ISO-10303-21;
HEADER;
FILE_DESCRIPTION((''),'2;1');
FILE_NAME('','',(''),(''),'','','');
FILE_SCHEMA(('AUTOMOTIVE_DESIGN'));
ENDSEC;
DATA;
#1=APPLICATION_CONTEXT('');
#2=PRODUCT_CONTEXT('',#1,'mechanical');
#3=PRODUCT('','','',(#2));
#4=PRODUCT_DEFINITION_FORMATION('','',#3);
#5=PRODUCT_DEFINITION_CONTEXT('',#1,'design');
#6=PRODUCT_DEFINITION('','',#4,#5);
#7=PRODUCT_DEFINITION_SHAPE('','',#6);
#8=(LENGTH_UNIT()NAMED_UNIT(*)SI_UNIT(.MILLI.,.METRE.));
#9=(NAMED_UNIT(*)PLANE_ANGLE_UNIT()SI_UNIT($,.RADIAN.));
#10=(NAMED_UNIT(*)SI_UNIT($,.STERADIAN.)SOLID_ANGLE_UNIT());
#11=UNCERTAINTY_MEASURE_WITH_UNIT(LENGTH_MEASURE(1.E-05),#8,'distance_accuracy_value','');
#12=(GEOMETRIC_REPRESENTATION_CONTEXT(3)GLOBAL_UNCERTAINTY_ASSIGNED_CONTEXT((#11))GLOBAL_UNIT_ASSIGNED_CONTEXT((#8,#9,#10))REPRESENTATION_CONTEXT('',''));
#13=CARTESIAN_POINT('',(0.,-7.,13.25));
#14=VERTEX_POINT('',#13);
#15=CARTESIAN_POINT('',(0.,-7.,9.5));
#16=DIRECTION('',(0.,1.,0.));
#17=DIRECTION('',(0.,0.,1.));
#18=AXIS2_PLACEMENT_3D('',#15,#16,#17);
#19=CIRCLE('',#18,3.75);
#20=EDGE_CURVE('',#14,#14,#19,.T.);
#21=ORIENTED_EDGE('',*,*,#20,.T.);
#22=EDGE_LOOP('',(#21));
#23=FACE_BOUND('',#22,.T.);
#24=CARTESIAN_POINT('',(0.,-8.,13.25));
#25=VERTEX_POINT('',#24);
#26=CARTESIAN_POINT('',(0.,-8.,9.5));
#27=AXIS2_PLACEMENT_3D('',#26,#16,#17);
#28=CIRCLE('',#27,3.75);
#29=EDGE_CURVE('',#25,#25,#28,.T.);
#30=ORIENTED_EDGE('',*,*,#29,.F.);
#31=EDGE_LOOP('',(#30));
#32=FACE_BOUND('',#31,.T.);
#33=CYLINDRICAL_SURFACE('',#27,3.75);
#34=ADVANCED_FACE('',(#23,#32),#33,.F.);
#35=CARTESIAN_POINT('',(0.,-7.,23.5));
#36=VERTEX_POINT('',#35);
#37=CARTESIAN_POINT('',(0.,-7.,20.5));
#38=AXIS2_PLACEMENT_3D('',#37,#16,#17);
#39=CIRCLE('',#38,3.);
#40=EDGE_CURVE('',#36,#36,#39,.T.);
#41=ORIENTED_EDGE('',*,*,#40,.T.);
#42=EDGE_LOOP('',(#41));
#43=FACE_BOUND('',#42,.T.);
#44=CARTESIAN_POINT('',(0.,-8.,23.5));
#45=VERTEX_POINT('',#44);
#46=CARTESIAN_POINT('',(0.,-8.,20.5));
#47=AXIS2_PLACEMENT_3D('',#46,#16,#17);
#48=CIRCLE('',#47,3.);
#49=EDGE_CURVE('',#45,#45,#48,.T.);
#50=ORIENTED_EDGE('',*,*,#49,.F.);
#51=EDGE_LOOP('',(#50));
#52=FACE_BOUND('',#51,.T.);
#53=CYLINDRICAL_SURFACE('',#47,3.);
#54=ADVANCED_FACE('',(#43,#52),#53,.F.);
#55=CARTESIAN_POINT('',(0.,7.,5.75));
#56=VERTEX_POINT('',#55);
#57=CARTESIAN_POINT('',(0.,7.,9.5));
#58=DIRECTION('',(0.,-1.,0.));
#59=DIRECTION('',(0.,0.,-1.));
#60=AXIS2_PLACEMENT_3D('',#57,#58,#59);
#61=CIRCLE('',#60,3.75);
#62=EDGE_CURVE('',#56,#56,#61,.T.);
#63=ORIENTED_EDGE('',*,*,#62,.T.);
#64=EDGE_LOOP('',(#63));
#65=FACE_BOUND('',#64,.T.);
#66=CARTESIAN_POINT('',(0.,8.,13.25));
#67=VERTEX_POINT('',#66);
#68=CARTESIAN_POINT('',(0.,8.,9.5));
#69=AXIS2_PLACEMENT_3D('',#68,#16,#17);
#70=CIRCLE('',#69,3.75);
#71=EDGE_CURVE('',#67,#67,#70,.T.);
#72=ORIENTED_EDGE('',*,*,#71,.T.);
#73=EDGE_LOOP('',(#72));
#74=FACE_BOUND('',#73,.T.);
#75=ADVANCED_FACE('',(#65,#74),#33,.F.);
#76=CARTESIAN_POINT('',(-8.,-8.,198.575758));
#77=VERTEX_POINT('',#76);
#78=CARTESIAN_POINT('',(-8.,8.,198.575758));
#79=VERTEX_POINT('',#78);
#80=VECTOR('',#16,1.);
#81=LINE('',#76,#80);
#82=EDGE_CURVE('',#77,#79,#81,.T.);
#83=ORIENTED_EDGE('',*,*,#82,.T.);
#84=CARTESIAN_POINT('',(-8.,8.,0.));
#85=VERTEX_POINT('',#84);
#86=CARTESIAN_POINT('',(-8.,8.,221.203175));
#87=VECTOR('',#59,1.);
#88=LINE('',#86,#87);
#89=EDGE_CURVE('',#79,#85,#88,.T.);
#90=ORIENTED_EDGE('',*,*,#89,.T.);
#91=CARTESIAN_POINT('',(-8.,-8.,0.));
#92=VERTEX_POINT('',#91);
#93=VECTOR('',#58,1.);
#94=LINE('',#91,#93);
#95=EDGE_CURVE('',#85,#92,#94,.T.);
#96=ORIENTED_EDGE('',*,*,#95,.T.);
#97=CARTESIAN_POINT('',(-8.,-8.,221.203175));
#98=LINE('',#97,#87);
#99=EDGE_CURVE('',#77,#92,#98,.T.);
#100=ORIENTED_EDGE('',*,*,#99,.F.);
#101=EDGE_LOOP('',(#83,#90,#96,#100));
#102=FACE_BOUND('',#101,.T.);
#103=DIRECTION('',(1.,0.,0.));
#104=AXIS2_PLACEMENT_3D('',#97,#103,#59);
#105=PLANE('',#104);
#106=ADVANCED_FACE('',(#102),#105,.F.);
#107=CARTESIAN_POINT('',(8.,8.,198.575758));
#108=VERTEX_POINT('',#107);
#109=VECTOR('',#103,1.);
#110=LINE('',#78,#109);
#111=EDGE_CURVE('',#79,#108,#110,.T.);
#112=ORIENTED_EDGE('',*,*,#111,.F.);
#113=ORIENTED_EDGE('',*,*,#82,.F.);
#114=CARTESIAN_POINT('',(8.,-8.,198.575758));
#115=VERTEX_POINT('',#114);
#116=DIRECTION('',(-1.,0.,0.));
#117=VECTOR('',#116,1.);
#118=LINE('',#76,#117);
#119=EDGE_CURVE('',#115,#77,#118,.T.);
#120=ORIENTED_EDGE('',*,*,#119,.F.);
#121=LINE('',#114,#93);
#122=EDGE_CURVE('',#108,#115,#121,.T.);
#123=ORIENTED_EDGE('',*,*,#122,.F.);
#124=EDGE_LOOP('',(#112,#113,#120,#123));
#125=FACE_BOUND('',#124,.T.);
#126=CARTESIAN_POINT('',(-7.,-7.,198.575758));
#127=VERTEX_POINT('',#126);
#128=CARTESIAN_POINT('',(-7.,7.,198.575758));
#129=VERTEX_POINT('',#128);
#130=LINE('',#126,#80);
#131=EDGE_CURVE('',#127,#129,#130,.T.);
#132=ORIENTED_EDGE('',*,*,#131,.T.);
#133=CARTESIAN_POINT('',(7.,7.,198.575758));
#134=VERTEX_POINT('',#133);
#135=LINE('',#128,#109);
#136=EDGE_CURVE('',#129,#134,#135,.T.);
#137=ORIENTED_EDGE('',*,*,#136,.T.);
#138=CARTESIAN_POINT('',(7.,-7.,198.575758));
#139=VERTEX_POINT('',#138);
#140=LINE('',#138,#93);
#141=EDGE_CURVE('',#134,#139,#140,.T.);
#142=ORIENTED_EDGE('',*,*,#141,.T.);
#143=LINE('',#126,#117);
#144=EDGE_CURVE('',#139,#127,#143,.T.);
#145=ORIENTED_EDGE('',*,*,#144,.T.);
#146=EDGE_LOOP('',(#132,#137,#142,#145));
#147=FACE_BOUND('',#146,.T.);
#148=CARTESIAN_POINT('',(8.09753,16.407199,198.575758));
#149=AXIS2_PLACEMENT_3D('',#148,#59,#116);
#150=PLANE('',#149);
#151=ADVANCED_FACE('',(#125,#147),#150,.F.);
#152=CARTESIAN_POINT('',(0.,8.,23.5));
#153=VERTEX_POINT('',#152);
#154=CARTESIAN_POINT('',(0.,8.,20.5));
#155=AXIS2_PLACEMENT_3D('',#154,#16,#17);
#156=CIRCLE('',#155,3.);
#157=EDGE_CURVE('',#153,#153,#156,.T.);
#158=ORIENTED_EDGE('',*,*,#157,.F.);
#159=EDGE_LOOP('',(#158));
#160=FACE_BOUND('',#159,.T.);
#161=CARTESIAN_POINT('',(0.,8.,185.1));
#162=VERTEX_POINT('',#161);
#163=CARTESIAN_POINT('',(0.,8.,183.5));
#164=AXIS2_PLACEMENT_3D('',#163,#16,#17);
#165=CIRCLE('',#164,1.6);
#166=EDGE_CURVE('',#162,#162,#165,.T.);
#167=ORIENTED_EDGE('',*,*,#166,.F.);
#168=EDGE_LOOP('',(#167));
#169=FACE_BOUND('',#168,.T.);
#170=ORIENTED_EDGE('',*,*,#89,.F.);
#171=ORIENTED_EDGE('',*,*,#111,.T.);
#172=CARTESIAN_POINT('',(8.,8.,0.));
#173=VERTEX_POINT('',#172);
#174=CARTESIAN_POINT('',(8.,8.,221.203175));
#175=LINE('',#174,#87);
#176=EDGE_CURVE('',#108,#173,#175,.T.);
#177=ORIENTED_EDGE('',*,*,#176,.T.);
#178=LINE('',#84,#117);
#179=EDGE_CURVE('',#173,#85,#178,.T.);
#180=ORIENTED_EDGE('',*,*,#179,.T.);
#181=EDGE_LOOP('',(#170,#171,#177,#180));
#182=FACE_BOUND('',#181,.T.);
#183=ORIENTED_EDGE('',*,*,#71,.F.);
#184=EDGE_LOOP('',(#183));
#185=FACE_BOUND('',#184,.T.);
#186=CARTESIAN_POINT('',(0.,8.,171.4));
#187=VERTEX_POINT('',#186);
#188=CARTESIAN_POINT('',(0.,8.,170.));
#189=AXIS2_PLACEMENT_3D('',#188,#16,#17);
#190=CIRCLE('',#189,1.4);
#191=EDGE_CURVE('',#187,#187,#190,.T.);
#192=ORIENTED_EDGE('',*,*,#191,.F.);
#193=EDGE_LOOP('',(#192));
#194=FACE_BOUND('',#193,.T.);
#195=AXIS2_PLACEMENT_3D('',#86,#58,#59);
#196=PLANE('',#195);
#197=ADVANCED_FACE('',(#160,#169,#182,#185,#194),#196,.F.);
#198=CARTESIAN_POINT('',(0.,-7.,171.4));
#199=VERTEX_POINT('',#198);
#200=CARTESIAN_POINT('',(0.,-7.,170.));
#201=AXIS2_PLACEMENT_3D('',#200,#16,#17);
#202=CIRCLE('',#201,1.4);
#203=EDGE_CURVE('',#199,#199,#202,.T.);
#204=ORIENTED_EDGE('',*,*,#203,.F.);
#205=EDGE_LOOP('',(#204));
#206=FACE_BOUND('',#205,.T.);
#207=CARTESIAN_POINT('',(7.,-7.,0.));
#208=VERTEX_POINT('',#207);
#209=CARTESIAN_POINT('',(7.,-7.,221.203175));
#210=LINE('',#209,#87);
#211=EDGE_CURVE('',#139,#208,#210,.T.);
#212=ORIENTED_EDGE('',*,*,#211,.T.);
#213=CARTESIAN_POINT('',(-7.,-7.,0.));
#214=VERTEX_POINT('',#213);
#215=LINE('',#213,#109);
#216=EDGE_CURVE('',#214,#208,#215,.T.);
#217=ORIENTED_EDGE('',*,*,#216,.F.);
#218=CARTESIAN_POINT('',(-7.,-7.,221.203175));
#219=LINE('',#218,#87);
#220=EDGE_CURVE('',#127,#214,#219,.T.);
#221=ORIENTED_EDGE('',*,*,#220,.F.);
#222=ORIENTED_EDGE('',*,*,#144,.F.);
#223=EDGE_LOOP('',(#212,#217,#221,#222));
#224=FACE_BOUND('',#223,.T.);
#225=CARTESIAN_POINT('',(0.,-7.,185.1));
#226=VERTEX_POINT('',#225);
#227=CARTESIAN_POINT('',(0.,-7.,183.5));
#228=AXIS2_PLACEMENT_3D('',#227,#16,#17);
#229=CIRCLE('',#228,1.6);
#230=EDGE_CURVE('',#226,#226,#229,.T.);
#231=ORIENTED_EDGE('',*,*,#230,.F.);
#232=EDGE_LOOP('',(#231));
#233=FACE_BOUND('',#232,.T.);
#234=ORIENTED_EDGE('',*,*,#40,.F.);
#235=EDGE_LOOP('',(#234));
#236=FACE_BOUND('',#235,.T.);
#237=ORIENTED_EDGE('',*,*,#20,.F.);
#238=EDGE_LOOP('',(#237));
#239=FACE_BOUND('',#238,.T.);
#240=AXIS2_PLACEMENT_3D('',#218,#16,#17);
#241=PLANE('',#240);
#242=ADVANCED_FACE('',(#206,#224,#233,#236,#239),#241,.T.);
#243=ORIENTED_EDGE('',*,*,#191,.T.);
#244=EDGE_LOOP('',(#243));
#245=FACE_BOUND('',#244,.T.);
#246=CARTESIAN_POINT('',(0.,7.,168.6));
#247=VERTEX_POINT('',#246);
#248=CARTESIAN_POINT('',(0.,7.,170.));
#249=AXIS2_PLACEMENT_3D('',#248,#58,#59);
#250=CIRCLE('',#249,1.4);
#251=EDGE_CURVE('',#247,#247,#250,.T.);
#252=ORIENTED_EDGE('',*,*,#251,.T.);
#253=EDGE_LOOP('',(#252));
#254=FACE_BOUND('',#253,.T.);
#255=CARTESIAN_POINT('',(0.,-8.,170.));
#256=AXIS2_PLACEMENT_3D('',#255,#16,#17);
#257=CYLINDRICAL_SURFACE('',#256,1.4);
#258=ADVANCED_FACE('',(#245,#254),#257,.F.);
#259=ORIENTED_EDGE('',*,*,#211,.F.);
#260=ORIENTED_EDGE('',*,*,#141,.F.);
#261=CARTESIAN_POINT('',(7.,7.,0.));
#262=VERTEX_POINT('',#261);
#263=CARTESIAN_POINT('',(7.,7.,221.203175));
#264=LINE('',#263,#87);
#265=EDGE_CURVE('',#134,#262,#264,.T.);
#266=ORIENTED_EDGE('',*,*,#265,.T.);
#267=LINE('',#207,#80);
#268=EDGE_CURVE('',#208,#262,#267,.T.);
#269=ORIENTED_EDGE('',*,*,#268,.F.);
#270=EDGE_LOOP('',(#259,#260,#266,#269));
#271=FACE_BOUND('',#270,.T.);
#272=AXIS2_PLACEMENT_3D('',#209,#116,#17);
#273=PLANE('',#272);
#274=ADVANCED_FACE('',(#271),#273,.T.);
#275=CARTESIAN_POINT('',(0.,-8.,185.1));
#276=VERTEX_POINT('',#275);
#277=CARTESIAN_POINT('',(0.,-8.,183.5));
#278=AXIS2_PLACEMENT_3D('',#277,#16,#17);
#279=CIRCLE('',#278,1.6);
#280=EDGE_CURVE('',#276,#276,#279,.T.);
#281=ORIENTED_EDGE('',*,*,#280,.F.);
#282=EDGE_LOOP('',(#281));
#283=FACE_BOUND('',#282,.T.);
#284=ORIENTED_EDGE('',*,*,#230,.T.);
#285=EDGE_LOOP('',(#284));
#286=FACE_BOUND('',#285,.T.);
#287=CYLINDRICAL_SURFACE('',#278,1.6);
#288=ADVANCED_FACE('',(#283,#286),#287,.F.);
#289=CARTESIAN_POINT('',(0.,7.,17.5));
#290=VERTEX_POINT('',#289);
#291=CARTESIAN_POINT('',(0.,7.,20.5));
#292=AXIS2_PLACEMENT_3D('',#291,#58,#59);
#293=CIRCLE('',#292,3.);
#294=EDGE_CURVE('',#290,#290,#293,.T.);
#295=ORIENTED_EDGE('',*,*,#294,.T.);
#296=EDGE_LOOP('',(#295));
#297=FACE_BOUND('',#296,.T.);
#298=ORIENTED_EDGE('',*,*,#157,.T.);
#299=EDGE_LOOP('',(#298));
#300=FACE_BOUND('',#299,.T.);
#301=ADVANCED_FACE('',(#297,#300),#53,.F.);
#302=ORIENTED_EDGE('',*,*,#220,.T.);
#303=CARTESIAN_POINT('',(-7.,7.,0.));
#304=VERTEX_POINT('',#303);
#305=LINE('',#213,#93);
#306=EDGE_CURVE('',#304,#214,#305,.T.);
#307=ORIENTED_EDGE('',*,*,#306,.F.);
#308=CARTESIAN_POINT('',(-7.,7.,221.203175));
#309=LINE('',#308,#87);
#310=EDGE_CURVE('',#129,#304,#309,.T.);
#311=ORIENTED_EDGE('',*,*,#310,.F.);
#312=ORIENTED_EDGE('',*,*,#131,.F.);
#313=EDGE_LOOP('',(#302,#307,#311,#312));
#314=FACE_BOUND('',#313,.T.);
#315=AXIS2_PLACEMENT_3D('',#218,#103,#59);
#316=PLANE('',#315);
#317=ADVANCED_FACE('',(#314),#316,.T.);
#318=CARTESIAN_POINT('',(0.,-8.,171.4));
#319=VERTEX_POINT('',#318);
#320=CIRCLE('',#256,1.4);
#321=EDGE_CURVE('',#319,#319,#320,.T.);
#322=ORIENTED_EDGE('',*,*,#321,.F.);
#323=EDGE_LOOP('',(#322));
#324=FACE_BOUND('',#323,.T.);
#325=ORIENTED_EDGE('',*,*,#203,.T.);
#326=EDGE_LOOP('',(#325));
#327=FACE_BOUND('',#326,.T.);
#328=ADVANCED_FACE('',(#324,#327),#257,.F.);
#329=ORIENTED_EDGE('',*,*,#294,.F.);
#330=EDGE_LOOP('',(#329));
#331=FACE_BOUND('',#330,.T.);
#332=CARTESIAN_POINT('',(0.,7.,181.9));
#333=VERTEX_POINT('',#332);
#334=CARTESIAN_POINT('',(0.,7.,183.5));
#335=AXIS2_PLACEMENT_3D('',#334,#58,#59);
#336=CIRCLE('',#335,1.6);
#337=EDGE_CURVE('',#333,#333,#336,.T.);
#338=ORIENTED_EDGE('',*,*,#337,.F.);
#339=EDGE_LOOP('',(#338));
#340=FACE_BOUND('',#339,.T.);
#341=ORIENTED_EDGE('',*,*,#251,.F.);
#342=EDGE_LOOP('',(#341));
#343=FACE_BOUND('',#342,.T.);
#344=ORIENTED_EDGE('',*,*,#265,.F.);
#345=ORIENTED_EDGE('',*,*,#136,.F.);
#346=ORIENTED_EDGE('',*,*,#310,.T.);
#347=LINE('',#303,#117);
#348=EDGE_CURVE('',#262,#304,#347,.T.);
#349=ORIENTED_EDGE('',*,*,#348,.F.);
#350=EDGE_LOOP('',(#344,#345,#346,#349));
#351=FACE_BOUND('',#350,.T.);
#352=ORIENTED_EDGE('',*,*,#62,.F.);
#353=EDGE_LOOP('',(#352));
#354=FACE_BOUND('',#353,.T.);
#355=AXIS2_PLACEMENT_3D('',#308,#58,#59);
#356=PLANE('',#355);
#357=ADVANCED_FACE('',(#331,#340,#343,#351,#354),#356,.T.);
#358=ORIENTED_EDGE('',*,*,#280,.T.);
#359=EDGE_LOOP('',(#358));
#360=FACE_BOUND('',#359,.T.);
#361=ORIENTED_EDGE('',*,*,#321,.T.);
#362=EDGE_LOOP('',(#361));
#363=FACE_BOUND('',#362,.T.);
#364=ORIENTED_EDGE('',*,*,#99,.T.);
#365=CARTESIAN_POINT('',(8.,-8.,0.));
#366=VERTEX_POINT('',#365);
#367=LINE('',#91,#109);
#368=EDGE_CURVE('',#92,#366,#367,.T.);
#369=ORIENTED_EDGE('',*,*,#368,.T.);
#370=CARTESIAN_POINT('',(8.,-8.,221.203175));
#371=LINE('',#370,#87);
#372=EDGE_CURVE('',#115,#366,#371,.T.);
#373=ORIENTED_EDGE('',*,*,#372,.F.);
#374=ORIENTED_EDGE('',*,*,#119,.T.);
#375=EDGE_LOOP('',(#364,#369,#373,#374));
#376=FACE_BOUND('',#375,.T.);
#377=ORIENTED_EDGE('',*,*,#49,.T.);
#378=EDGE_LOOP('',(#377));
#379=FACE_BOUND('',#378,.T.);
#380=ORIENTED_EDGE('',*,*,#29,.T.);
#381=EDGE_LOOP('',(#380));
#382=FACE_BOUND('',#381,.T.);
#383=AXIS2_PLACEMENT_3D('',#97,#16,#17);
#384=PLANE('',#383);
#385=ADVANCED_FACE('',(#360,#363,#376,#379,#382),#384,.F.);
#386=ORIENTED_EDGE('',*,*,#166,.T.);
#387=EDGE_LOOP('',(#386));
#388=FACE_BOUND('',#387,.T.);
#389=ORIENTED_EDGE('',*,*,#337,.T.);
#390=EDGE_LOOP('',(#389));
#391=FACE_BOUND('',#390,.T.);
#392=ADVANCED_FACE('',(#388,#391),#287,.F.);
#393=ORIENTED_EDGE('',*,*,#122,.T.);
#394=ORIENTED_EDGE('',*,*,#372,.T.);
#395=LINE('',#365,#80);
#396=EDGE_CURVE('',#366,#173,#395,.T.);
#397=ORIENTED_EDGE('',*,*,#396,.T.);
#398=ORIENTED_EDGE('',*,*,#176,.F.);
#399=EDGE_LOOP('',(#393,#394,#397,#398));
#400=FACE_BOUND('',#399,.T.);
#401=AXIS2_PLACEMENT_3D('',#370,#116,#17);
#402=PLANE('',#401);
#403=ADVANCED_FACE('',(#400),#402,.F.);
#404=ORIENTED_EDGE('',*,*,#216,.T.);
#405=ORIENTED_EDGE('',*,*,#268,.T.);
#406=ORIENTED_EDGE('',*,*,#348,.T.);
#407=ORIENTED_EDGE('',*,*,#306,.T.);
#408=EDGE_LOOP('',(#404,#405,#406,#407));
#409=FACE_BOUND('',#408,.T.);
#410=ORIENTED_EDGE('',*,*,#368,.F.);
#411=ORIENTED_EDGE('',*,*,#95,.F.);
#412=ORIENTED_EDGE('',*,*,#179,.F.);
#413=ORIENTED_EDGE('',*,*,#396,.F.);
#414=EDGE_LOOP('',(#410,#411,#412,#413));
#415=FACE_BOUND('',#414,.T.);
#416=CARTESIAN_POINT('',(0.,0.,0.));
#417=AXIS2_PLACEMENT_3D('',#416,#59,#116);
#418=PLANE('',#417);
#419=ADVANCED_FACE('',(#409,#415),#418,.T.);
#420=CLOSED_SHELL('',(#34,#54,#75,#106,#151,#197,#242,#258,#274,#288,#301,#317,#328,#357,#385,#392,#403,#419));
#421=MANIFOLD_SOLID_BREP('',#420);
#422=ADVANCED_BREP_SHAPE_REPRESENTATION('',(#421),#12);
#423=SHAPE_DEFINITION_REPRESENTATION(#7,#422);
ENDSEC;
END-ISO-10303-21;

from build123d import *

# Parameters (mm, degrees)
SKETCH1_W           = 16
SKETCH1_H           = 16
SKETCH1_W_2         = 14
SKETCH1_H_2         = 14
BOSS_EXTRUDE1_DEPTH = 198.575758147
SKETCH2_R           = 3.75
SKETCH2_R_2         = 3
SKETCH2_R_3         = 1.4
SKETCH2_R_4         = 1.6
CUT_EXTRUDE1_DEPTH  = 200.3798679


with BuildPart() as part:
    # Sketch1 → Boss-Extrude1 (new body)
    with BuildSketch(Plane.XY):
        Rectangle(SKETCH1_W, SKETCH1_H)
        Rectangle(SKETCH1_W_2, SKETCH1_H_2, mode=Mode.SUBTRACT)
    extrude(amount=BOSS_EXTRUDE1_DEPTH)

    # Sketch2 → Cut-Extrude1 (cut, through all)
    with BuildSketch(Plane(origin=(0, 8, 0), x_dir=(1, 0, 0), z_dir=(0, 1, 0))):
        with Locations(Location((0, -9.5, 0), (0, 0, 270))):
            Circle(SKETCH2_R)
        with Locations(Location((0, -20.5, 0), (0, 0, 270))):
            Circle(SKETCH2_R_2)
        with Locations(Location((0, -170, 0), (0, 0, 270))):
            Circle(SKETCH2_R_3)
        with Locations(Location((0, -183.5, 0), (0, 0, 270))):
            Circle(SKETCH2_R_4)
    extrude(amount=-CUT_EXTRUDE1_DEPTH, mode=Mode.SUBTRACT)


solid = part.part
